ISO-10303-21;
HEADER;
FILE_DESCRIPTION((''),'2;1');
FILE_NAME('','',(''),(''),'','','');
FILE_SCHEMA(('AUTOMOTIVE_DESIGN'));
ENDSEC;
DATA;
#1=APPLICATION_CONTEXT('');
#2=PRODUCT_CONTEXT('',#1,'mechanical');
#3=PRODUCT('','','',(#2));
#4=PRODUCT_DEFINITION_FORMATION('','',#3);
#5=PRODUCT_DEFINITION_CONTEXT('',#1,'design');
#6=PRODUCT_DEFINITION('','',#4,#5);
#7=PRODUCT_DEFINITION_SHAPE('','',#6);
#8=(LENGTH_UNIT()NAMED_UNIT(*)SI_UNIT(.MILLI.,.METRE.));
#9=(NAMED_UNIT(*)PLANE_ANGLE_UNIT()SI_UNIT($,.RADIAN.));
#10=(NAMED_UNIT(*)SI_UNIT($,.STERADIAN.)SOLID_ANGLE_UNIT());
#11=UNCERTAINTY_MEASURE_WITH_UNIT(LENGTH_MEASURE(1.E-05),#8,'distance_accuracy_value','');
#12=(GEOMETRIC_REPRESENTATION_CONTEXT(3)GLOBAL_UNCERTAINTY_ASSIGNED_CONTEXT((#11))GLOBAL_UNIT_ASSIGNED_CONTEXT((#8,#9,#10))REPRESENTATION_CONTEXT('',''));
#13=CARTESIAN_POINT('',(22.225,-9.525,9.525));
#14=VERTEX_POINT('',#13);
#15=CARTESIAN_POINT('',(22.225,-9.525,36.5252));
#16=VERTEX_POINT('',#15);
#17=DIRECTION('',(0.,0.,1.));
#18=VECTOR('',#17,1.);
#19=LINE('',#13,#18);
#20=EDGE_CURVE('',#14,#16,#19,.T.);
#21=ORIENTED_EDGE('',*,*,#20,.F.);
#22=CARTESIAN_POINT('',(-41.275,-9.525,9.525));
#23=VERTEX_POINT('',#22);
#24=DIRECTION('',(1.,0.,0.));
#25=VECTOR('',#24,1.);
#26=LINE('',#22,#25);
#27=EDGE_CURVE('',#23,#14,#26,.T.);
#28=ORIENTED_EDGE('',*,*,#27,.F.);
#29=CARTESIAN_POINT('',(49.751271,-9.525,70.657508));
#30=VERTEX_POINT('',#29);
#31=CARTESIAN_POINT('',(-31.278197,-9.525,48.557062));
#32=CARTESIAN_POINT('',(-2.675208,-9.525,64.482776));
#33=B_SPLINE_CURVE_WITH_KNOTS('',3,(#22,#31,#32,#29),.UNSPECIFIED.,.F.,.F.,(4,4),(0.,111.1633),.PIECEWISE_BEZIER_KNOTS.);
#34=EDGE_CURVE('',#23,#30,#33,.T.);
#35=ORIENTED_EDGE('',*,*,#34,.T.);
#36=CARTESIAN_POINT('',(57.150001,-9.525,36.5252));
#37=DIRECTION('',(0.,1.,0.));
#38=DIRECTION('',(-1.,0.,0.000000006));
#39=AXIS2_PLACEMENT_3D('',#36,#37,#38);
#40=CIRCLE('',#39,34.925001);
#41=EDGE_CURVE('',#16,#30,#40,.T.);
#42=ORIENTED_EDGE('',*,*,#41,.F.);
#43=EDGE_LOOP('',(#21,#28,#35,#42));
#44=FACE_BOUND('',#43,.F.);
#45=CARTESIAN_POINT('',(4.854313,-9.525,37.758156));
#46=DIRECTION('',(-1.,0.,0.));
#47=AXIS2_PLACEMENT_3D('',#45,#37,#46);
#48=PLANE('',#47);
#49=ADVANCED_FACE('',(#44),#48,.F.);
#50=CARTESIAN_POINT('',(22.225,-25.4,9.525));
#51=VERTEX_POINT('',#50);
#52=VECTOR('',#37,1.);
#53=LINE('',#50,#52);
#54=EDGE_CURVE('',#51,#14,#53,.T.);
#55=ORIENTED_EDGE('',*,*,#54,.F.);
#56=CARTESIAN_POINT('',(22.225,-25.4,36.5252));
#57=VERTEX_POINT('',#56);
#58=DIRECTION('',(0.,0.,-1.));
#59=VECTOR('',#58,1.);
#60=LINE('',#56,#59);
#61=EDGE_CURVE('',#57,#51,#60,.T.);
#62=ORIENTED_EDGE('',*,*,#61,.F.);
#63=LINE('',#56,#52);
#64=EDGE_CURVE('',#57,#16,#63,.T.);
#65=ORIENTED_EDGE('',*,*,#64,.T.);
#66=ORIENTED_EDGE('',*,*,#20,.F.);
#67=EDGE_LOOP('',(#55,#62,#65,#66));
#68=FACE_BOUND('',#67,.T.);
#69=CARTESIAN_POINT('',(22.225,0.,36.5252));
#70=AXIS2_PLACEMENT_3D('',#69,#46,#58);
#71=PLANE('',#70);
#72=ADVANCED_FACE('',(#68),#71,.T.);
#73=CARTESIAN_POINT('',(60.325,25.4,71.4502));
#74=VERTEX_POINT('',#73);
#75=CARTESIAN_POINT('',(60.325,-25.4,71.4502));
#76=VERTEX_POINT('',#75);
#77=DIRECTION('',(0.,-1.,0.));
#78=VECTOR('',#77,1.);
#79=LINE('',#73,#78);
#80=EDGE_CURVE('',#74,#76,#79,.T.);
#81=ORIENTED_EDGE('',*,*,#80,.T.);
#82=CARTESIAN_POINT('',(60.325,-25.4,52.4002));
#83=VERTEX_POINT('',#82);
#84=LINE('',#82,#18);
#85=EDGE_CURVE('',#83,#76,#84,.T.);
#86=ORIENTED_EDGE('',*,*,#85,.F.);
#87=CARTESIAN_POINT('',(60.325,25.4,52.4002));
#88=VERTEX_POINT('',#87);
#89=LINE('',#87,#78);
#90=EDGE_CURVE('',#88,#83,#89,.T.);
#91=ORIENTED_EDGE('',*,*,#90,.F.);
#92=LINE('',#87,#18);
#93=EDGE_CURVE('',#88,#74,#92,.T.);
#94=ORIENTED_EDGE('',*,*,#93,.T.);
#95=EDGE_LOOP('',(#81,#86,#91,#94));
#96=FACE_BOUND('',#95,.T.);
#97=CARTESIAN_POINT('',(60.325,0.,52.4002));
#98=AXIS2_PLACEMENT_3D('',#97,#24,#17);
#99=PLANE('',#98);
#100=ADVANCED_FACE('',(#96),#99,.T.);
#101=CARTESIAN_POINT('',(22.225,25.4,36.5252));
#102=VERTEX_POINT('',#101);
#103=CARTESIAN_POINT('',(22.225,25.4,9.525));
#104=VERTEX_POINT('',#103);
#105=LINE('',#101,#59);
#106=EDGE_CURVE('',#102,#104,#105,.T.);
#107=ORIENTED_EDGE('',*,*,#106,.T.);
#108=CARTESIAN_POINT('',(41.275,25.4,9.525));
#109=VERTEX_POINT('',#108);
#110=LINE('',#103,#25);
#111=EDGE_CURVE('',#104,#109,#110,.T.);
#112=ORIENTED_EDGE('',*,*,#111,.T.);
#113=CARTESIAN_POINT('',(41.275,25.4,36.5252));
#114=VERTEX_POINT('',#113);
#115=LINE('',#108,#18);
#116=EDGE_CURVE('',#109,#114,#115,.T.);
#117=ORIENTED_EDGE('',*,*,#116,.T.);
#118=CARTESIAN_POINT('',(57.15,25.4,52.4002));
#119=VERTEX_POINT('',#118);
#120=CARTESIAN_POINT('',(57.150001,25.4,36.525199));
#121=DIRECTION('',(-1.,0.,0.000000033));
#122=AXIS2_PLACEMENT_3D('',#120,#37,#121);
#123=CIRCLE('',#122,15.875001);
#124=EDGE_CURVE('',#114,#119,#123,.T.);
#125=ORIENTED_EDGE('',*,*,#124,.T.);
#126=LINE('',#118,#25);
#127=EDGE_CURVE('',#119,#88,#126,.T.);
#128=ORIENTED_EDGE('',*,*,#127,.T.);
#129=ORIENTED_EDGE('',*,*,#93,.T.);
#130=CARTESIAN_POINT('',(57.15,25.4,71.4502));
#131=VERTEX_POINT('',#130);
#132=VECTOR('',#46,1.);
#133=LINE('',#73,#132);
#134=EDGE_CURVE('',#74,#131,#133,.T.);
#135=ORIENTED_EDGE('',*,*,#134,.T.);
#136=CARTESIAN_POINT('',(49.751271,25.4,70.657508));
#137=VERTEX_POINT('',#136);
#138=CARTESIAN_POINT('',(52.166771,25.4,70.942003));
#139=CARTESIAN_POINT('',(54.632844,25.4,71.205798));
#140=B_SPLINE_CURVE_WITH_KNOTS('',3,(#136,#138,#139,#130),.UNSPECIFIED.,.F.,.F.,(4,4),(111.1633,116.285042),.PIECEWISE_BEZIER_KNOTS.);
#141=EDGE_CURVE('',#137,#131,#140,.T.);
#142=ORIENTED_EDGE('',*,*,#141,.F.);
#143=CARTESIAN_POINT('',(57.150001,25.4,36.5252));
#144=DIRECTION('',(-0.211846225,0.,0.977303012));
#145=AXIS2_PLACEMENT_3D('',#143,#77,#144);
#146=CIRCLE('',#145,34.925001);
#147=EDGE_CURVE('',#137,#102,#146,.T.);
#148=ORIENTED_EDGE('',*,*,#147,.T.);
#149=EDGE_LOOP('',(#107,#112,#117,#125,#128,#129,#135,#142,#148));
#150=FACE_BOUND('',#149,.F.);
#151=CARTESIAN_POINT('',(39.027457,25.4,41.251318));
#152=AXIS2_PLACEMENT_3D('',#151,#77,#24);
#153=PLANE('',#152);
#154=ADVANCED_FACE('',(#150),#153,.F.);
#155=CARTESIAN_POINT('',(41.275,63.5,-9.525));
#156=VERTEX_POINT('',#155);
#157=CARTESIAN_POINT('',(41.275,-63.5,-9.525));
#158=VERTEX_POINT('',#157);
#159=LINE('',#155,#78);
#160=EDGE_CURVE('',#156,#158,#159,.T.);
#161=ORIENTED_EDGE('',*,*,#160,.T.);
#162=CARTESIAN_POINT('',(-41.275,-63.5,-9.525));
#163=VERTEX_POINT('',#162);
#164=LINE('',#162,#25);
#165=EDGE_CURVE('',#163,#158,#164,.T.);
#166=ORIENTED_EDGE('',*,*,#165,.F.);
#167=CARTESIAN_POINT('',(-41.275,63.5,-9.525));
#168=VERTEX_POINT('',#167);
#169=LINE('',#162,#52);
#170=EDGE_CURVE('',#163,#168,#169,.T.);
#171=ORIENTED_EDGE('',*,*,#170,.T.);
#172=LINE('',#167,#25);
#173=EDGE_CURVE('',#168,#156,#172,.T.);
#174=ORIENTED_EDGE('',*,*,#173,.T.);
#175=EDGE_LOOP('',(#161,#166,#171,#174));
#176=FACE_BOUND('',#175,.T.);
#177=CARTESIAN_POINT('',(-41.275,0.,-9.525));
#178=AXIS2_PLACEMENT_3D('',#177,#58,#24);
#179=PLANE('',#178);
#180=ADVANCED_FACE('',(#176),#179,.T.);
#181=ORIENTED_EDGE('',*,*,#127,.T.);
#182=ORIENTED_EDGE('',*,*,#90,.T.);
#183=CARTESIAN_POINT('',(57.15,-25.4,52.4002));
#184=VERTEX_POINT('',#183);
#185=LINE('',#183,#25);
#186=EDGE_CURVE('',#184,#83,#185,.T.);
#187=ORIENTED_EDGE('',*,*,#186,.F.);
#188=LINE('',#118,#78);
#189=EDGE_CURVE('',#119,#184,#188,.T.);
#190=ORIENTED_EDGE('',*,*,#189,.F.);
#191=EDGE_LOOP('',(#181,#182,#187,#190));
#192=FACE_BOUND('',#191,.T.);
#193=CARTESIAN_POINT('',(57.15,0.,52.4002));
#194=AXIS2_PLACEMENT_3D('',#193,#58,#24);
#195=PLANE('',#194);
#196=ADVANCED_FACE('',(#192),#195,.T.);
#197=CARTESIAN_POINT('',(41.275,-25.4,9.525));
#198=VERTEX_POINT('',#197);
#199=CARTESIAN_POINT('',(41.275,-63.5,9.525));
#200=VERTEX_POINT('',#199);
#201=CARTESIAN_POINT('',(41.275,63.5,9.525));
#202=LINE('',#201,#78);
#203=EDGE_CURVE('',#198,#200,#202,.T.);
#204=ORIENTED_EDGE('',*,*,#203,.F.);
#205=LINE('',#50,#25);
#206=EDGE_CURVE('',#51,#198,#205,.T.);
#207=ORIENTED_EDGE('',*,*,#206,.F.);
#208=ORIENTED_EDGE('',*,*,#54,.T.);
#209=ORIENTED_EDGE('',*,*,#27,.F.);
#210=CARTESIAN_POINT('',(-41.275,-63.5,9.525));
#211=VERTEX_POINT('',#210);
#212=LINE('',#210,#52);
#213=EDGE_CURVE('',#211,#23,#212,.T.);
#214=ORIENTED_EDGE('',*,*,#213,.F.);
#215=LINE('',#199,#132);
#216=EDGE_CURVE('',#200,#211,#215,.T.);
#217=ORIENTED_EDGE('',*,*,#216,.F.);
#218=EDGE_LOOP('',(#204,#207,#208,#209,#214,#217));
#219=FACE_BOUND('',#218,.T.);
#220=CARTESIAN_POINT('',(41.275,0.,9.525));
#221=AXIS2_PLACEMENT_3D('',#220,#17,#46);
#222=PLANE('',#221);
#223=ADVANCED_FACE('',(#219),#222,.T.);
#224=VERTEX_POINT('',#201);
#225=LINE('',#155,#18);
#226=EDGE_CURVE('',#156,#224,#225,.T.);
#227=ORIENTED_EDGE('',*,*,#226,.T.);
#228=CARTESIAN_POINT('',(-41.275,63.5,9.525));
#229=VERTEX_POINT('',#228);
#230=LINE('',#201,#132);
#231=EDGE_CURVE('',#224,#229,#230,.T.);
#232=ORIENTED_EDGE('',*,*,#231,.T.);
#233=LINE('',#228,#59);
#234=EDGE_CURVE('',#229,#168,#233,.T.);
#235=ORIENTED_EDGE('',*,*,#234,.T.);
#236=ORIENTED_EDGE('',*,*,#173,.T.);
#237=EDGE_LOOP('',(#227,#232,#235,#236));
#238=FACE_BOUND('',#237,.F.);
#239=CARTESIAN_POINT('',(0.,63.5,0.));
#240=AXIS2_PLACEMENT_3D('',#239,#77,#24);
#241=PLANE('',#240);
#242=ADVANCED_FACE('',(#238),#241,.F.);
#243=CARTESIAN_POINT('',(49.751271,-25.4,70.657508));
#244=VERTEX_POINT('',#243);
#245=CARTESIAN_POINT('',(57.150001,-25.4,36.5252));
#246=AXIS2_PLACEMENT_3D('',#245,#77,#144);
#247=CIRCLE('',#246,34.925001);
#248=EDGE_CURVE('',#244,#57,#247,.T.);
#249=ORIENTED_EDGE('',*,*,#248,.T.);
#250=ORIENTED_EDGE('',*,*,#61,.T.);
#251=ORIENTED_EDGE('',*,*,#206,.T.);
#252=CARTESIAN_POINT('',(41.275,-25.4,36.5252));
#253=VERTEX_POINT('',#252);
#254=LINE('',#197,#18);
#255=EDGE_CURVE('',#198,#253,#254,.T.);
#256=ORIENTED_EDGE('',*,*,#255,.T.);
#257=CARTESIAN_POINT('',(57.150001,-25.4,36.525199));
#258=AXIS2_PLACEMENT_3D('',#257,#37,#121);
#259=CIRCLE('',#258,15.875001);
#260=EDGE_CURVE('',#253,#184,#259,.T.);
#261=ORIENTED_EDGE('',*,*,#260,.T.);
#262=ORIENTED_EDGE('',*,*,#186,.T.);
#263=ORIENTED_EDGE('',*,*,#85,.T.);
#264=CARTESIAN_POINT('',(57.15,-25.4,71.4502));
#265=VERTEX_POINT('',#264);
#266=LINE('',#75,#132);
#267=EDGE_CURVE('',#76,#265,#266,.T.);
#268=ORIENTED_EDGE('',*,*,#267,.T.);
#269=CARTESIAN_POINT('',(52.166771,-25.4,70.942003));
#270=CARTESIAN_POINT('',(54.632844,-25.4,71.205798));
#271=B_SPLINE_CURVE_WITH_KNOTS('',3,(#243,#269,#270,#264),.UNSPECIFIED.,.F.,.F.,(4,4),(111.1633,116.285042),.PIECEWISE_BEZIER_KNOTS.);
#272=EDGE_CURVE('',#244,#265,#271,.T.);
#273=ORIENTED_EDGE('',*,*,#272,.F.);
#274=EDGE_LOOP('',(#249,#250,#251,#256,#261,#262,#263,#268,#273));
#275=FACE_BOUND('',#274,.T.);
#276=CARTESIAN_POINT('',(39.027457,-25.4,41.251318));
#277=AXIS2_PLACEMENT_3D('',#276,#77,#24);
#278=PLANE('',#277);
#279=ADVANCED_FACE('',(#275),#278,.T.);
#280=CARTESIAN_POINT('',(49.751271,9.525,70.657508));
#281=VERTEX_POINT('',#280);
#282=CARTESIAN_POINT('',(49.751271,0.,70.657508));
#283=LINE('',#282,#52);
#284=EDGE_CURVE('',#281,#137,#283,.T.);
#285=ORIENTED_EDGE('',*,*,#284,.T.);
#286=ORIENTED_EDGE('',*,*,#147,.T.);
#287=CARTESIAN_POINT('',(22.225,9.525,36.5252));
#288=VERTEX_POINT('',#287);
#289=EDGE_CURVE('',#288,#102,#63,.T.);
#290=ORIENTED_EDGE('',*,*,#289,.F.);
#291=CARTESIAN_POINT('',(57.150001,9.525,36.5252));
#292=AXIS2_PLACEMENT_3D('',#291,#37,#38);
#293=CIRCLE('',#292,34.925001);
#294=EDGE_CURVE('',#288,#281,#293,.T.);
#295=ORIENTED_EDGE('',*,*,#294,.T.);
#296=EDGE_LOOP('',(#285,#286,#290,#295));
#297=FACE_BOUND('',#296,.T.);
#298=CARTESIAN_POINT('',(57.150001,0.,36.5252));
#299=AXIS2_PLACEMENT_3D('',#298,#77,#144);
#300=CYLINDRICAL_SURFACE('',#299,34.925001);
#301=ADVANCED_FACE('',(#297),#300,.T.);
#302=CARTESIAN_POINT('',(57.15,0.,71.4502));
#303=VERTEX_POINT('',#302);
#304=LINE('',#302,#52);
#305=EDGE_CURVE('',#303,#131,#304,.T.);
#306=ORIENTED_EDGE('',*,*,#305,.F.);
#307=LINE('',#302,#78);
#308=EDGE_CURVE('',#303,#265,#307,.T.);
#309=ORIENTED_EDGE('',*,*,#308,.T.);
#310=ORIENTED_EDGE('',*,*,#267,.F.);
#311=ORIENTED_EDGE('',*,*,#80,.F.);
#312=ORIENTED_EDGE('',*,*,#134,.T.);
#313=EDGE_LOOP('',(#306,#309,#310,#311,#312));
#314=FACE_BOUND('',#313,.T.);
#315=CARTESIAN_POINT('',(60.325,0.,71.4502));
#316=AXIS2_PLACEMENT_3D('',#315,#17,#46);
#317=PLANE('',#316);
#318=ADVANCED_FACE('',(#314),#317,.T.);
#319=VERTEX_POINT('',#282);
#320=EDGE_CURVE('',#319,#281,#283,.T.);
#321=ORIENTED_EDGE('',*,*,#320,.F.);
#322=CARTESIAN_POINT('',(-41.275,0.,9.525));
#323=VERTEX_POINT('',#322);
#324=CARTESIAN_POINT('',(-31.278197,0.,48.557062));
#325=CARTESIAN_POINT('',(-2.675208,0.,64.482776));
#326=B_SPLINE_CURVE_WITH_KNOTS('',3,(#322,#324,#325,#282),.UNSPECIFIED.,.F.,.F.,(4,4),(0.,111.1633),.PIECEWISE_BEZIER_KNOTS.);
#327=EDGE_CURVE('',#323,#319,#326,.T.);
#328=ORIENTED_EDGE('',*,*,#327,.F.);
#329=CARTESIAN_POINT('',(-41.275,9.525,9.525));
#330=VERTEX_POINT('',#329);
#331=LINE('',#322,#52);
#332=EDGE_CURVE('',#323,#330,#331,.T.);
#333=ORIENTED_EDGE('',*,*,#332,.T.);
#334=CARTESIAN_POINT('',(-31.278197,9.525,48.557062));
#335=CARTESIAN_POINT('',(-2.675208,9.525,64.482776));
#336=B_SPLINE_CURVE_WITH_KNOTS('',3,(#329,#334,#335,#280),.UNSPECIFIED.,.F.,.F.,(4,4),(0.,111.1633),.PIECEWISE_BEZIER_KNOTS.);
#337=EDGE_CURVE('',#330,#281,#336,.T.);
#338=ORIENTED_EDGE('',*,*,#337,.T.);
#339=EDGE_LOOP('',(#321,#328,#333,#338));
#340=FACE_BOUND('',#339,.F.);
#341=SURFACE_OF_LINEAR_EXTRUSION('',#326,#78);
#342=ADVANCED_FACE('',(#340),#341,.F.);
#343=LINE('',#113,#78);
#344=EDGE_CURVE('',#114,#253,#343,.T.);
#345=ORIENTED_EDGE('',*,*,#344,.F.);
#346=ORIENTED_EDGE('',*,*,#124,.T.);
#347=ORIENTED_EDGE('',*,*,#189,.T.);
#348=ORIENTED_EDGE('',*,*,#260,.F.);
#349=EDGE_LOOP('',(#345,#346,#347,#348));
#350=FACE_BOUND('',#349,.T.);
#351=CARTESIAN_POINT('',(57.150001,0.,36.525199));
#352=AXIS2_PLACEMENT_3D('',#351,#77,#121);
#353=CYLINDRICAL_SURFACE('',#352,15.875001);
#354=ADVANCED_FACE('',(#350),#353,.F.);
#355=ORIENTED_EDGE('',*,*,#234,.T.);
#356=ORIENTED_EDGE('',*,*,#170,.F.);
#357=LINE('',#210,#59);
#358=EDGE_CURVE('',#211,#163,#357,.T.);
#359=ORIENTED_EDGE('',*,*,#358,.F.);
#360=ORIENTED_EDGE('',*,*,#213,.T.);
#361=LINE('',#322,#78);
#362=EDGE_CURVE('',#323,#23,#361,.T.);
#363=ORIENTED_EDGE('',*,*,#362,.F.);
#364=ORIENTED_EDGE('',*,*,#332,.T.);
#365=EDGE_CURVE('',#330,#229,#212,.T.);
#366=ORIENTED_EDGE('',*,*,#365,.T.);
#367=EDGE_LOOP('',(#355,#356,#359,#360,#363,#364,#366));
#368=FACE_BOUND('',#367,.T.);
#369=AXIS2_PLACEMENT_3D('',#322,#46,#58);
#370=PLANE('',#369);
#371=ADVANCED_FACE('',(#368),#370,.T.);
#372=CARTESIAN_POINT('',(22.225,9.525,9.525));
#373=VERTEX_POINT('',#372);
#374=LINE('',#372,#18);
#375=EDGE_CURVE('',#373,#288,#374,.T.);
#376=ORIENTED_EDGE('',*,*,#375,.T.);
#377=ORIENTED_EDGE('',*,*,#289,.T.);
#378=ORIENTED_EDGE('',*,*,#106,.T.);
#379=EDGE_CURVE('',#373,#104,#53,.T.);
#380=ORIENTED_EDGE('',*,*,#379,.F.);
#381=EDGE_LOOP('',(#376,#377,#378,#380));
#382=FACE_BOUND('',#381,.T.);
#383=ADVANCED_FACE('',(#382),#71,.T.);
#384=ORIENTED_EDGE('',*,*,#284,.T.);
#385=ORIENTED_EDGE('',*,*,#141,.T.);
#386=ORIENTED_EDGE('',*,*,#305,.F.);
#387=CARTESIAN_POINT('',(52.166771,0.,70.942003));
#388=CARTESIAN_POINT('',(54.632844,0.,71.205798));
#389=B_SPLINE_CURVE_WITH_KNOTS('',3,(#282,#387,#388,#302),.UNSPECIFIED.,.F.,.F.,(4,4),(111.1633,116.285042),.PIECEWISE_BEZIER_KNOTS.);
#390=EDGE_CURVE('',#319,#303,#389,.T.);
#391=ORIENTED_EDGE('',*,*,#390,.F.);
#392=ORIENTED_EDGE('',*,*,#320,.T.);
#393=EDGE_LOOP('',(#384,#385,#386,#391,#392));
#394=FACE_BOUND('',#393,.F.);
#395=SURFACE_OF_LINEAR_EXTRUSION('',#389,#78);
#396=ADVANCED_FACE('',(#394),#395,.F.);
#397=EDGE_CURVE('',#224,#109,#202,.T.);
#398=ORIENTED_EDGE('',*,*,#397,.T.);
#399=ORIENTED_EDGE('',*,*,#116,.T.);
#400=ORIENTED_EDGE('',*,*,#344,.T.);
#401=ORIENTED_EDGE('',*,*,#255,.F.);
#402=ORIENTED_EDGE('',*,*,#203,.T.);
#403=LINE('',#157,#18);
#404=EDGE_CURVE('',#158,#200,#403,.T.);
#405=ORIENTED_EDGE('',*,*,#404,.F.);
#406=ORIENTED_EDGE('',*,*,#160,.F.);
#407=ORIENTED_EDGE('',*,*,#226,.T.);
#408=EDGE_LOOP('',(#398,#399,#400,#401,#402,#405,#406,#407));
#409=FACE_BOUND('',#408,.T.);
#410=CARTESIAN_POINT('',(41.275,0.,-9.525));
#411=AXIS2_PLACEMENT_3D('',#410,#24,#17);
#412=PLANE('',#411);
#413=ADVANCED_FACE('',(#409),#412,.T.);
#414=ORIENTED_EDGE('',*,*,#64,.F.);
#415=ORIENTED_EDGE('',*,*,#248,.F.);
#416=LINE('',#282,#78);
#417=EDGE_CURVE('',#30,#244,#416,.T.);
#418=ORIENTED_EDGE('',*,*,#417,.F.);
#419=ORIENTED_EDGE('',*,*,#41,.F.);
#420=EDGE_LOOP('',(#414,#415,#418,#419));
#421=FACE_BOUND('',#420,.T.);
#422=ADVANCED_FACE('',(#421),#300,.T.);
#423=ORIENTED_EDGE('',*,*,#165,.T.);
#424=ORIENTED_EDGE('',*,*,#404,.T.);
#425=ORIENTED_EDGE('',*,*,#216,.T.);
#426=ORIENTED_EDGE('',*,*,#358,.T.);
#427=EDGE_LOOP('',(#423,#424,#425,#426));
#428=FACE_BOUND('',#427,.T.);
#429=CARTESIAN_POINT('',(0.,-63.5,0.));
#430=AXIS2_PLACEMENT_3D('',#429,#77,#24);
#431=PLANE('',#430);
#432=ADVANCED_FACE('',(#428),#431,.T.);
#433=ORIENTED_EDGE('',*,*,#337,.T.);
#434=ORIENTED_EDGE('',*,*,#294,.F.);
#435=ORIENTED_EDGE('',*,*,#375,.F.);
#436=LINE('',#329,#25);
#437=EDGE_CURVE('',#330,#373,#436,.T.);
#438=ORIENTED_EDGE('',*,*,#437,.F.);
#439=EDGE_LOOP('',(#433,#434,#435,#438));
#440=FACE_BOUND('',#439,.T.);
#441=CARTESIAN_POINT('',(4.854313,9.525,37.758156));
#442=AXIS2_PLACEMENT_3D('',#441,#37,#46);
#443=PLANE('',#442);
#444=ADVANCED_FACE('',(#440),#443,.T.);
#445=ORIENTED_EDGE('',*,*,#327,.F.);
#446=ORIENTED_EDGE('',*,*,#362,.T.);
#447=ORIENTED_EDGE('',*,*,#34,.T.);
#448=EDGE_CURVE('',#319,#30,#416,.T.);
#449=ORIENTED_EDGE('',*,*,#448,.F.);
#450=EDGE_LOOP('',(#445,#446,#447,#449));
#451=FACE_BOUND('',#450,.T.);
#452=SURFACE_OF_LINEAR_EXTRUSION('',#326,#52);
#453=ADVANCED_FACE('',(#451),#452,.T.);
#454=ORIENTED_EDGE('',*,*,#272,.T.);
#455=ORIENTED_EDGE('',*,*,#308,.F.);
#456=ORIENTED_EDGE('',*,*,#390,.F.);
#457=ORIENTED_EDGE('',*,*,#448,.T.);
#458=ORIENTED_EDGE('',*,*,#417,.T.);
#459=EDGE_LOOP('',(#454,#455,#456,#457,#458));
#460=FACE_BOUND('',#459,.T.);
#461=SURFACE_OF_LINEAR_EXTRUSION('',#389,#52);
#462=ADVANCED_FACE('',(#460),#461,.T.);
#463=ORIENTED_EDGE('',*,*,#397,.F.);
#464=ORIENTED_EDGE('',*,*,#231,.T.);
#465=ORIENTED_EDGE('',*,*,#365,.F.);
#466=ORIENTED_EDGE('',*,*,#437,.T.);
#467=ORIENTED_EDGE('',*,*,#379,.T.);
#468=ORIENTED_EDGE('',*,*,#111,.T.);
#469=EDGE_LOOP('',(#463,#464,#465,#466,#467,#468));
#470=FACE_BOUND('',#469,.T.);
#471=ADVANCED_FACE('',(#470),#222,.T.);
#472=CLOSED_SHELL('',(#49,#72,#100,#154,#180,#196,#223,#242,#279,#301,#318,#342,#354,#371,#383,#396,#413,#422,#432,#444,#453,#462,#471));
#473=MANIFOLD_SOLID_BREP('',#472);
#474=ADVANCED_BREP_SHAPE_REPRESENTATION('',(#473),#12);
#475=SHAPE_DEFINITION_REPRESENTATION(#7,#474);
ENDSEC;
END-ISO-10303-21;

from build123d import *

# Parameters (mm, degrees)
F1_DEPTH = 63.5
F2_DEPTH = 25.4
F3_DEPTH = 9.525


with BuildPart() as f1:
    # F0 (on Front) → F1 (new body, symmetric)
    with BuildSketch(Plane.XZ):
        Polygon((-41.275, -9.525), (41.275, -9.525), (41.275, 9.525), (22.225, 9.525), (-41.275, 9.525), align=None)
    extrude(amount=F1_DEPTH, both=True)

    # F0 (on Front) → F2 (join, symmetric)
    with BuildSketch(Plane.XZ):
        with BuildLine():
            Line((22.225, 9.525), (41.275, 9.525))
            Line((41.275, 9.525), (41.275, 36.5252))
            ThreePointArc((41.275, 36.5252), (45.92468, 47.75052), (57.15, 52.4002))
            Line((57.15, 52.4002), (60.325, 52.4002))
            Line((60.325, 52.4002), (60.325, 71.4502))
            Line((60.325, 71.4502), (57.15, 71.4502))
            add(Edge.make_bspline(
                [(49.751271, 70.657508), (52.166771, 70.942003), (54.632844, 71.205798), (57.15, 71.4502)],
                knots=[111.1633, 111.1633, 111.1633, 111.1633, 116.285042, 116.285042, 116.285042, 116.285042], degree=3))
            ThreePointArc((49.751271, 70.657508), (29.964009, 58.449559), (22.225, 36.5252))
            Line((22.225, 36.5252), (22.225, 9.525))
        make_face()
    extrude(amount=F2_DEPTH, both=True)

    # F0 (on Front) → F3 (join, symmetric)
    with BuildSketch(Plane.XZ):
        with BuildLine():
            add(Edge.make_bspline(
                [(-41.275, 9.525), (-31.278197, 48.557062), (-2.675208, 64.482776), (49.751271, 70.657508)],
                knots=[0, 0, 0, 0, 111.1633, 111.1633, 111.1633, 111.1633], degree=3))
            Line((-41.275, 9.525), (22.225, 9.525))
            Line((22.225, 9.525), (22.225, 36.5252))
            ThreePointArc((22.225, 36.5252), (29.964009, 58.449559), (49.751271, 70.657508))
        make_face()
    extrude(amount=F3_DEPTH, both=True)


solid = f1.part
